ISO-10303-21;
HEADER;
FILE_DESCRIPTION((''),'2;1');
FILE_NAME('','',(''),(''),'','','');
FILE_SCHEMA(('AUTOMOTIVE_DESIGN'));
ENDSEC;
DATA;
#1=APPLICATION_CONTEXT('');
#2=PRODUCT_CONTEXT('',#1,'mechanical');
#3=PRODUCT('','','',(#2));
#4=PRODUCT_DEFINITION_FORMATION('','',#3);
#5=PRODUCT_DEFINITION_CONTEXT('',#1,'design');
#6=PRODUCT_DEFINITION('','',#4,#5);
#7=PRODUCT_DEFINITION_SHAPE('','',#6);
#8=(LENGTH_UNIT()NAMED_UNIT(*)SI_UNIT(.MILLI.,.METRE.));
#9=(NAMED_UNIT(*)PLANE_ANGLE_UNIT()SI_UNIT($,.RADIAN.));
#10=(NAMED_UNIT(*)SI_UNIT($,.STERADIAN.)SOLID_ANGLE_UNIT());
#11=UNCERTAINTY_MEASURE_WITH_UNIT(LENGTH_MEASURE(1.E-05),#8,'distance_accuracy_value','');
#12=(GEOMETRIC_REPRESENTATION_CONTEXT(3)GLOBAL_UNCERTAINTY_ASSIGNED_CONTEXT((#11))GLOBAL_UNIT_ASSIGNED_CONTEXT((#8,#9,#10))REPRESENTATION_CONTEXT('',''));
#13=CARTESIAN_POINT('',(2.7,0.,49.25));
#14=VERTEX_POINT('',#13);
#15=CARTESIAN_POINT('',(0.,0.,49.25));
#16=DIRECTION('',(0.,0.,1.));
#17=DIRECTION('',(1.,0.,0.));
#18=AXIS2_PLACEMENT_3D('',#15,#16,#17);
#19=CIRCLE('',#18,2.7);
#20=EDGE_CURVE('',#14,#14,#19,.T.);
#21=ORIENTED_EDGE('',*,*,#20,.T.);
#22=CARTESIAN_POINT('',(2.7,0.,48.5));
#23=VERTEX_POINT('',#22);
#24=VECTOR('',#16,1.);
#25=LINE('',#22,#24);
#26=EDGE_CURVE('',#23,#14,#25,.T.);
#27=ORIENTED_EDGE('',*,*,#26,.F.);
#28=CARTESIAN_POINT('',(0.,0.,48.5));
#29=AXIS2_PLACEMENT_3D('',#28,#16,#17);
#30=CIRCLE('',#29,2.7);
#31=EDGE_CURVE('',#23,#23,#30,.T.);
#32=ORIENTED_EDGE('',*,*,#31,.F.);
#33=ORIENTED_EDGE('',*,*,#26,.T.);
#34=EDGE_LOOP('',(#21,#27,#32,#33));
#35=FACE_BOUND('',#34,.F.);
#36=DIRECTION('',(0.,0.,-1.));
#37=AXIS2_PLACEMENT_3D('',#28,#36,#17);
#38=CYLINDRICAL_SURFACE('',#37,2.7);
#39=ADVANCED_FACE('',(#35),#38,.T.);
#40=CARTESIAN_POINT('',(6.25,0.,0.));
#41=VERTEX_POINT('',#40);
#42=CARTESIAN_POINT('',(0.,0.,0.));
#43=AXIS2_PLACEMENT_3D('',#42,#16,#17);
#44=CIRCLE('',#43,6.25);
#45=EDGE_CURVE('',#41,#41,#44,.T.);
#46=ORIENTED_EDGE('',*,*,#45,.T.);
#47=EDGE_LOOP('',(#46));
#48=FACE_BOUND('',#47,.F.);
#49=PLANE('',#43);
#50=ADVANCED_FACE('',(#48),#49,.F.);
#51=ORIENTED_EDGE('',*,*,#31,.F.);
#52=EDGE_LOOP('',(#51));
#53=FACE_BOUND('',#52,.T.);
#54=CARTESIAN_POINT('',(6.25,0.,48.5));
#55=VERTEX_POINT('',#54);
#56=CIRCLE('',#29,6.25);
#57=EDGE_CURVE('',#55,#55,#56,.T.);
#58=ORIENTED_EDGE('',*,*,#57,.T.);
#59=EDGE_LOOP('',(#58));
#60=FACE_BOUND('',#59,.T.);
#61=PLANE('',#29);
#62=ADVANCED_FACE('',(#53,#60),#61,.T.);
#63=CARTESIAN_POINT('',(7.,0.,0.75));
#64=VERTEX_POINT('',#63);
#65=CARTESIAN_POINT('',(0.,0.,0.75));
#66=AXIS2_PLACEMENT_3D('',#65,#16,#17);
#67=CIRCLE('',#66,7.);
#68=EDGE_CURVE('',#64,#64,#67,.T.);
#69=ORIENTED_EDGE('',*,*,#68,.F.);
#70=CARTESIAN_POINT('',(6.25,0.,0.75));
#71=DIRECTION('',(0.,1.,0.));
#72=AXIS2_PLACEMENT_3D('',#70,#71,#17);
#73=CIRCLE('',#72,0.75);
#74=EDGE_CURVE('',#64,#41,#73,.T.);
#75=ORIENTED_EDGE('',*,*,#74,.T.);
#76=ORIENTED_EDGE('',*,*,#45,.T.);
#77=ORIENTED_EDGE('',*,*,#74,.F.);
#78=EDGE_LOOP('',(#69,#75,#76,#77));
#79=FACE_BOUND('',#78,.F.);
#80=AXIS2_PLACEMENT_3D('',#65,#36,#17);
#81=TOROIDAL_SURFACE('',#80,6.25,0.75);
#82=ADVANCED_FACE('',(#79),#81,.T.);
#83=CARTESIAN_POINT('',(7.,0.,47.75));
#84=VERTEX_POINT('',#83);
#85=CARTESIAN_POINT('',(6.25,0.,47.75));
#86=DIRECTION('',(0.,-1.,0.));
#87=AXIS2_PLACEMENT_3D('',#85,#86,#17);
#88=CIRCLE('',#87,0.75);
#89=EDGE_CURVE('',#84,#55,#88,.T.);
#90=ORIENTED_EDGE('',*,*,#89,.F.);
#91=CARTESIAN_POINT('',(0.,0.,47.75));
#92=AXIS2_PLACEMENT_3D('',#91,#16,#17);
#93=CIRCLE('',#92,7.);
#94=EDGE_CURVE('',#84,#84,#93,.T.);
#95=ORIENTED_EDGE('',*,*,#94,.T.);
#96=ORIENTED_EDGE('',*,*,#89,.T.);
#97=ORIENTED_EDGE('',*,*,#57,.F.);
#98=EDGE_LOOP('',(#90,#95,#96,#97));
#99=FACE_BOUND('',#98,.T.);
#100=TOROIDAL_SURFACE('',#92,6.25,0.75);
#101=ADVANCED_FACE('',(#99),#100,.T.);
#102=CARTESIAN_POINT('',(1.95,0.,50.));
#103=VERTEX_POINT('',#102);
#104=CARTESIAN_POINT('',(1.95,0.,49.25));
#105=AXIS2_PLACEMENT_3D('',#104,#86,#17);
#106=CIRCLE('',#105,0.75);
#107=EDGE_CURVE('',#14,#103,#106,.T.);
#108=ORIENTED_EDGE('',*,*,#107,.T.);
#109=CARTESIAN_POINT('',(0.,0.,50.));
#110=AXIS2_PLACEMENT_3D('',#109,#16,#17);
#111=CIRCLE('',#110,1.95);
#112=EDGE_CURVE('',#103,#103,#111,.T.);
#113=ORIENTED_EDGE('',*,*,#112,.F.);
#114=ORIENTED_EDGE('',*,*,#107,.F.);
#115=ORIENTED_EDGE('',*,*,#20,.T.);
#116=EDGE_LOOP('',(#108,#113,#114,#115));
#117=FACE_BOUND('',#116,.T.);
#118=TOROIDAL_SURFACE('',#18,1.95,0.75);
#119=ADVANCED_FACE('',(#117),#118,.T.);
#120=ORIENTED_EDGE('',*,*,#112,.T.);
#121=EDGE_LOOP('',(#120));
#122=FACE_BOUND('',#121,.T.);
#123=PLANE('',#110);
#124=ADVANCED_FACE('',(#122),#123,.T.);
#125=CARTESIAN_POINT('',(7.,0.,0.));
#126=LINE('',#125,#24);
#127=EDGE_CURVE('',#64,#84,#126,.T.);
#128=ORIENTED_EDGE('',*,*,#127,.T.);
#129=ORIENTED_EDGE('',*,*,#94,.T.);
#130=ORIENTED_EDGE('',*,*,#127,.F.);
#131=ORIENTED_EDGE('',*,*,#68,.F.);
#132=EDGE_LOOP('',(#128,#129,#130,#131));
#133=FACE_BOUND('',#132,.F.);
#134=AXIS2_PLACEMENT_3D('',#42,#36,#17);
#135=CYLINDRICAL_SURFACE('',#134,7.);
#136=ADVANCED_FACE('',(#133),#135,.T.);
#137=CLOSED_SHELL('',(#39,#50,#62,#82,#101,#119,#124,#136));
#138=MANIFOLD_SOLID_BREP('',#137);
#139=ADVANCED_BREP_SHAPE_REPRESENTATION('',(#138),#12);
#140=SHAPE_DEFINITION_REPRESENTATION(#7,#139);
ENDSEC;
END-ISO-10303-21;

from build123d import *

# Parameters (mm, degrees)
F0_R     = 7
F1_DEPTH = 48.5
F2_R     = 2.7
F3_DEPTH = 1.5
F4_R     = 0.75


with BuildPart() as f1:
    # F0 (on Top) → F1 (new body)
    with BuildSketch(Plane.XY):
        Circle(F0_R)
    extrude(amount=F1_DEPTH)

    # F2 (on face) → F3 (join)
    with BuildSketch(Plane.XY.offset(48.5)):
        Circle(F2_R)
    extrude(amount=F3_DEPTH)

    # F4
    f4_edges = [f1.edges().sort_by_distance(p)[0] for p in [
        (-2.7, 0, 50),
        (-7, 0, 48.5),
        (-7, 0, 0),
    ]]
    fillet(f4_edges, radius=F4_R)


solid = f1.part
